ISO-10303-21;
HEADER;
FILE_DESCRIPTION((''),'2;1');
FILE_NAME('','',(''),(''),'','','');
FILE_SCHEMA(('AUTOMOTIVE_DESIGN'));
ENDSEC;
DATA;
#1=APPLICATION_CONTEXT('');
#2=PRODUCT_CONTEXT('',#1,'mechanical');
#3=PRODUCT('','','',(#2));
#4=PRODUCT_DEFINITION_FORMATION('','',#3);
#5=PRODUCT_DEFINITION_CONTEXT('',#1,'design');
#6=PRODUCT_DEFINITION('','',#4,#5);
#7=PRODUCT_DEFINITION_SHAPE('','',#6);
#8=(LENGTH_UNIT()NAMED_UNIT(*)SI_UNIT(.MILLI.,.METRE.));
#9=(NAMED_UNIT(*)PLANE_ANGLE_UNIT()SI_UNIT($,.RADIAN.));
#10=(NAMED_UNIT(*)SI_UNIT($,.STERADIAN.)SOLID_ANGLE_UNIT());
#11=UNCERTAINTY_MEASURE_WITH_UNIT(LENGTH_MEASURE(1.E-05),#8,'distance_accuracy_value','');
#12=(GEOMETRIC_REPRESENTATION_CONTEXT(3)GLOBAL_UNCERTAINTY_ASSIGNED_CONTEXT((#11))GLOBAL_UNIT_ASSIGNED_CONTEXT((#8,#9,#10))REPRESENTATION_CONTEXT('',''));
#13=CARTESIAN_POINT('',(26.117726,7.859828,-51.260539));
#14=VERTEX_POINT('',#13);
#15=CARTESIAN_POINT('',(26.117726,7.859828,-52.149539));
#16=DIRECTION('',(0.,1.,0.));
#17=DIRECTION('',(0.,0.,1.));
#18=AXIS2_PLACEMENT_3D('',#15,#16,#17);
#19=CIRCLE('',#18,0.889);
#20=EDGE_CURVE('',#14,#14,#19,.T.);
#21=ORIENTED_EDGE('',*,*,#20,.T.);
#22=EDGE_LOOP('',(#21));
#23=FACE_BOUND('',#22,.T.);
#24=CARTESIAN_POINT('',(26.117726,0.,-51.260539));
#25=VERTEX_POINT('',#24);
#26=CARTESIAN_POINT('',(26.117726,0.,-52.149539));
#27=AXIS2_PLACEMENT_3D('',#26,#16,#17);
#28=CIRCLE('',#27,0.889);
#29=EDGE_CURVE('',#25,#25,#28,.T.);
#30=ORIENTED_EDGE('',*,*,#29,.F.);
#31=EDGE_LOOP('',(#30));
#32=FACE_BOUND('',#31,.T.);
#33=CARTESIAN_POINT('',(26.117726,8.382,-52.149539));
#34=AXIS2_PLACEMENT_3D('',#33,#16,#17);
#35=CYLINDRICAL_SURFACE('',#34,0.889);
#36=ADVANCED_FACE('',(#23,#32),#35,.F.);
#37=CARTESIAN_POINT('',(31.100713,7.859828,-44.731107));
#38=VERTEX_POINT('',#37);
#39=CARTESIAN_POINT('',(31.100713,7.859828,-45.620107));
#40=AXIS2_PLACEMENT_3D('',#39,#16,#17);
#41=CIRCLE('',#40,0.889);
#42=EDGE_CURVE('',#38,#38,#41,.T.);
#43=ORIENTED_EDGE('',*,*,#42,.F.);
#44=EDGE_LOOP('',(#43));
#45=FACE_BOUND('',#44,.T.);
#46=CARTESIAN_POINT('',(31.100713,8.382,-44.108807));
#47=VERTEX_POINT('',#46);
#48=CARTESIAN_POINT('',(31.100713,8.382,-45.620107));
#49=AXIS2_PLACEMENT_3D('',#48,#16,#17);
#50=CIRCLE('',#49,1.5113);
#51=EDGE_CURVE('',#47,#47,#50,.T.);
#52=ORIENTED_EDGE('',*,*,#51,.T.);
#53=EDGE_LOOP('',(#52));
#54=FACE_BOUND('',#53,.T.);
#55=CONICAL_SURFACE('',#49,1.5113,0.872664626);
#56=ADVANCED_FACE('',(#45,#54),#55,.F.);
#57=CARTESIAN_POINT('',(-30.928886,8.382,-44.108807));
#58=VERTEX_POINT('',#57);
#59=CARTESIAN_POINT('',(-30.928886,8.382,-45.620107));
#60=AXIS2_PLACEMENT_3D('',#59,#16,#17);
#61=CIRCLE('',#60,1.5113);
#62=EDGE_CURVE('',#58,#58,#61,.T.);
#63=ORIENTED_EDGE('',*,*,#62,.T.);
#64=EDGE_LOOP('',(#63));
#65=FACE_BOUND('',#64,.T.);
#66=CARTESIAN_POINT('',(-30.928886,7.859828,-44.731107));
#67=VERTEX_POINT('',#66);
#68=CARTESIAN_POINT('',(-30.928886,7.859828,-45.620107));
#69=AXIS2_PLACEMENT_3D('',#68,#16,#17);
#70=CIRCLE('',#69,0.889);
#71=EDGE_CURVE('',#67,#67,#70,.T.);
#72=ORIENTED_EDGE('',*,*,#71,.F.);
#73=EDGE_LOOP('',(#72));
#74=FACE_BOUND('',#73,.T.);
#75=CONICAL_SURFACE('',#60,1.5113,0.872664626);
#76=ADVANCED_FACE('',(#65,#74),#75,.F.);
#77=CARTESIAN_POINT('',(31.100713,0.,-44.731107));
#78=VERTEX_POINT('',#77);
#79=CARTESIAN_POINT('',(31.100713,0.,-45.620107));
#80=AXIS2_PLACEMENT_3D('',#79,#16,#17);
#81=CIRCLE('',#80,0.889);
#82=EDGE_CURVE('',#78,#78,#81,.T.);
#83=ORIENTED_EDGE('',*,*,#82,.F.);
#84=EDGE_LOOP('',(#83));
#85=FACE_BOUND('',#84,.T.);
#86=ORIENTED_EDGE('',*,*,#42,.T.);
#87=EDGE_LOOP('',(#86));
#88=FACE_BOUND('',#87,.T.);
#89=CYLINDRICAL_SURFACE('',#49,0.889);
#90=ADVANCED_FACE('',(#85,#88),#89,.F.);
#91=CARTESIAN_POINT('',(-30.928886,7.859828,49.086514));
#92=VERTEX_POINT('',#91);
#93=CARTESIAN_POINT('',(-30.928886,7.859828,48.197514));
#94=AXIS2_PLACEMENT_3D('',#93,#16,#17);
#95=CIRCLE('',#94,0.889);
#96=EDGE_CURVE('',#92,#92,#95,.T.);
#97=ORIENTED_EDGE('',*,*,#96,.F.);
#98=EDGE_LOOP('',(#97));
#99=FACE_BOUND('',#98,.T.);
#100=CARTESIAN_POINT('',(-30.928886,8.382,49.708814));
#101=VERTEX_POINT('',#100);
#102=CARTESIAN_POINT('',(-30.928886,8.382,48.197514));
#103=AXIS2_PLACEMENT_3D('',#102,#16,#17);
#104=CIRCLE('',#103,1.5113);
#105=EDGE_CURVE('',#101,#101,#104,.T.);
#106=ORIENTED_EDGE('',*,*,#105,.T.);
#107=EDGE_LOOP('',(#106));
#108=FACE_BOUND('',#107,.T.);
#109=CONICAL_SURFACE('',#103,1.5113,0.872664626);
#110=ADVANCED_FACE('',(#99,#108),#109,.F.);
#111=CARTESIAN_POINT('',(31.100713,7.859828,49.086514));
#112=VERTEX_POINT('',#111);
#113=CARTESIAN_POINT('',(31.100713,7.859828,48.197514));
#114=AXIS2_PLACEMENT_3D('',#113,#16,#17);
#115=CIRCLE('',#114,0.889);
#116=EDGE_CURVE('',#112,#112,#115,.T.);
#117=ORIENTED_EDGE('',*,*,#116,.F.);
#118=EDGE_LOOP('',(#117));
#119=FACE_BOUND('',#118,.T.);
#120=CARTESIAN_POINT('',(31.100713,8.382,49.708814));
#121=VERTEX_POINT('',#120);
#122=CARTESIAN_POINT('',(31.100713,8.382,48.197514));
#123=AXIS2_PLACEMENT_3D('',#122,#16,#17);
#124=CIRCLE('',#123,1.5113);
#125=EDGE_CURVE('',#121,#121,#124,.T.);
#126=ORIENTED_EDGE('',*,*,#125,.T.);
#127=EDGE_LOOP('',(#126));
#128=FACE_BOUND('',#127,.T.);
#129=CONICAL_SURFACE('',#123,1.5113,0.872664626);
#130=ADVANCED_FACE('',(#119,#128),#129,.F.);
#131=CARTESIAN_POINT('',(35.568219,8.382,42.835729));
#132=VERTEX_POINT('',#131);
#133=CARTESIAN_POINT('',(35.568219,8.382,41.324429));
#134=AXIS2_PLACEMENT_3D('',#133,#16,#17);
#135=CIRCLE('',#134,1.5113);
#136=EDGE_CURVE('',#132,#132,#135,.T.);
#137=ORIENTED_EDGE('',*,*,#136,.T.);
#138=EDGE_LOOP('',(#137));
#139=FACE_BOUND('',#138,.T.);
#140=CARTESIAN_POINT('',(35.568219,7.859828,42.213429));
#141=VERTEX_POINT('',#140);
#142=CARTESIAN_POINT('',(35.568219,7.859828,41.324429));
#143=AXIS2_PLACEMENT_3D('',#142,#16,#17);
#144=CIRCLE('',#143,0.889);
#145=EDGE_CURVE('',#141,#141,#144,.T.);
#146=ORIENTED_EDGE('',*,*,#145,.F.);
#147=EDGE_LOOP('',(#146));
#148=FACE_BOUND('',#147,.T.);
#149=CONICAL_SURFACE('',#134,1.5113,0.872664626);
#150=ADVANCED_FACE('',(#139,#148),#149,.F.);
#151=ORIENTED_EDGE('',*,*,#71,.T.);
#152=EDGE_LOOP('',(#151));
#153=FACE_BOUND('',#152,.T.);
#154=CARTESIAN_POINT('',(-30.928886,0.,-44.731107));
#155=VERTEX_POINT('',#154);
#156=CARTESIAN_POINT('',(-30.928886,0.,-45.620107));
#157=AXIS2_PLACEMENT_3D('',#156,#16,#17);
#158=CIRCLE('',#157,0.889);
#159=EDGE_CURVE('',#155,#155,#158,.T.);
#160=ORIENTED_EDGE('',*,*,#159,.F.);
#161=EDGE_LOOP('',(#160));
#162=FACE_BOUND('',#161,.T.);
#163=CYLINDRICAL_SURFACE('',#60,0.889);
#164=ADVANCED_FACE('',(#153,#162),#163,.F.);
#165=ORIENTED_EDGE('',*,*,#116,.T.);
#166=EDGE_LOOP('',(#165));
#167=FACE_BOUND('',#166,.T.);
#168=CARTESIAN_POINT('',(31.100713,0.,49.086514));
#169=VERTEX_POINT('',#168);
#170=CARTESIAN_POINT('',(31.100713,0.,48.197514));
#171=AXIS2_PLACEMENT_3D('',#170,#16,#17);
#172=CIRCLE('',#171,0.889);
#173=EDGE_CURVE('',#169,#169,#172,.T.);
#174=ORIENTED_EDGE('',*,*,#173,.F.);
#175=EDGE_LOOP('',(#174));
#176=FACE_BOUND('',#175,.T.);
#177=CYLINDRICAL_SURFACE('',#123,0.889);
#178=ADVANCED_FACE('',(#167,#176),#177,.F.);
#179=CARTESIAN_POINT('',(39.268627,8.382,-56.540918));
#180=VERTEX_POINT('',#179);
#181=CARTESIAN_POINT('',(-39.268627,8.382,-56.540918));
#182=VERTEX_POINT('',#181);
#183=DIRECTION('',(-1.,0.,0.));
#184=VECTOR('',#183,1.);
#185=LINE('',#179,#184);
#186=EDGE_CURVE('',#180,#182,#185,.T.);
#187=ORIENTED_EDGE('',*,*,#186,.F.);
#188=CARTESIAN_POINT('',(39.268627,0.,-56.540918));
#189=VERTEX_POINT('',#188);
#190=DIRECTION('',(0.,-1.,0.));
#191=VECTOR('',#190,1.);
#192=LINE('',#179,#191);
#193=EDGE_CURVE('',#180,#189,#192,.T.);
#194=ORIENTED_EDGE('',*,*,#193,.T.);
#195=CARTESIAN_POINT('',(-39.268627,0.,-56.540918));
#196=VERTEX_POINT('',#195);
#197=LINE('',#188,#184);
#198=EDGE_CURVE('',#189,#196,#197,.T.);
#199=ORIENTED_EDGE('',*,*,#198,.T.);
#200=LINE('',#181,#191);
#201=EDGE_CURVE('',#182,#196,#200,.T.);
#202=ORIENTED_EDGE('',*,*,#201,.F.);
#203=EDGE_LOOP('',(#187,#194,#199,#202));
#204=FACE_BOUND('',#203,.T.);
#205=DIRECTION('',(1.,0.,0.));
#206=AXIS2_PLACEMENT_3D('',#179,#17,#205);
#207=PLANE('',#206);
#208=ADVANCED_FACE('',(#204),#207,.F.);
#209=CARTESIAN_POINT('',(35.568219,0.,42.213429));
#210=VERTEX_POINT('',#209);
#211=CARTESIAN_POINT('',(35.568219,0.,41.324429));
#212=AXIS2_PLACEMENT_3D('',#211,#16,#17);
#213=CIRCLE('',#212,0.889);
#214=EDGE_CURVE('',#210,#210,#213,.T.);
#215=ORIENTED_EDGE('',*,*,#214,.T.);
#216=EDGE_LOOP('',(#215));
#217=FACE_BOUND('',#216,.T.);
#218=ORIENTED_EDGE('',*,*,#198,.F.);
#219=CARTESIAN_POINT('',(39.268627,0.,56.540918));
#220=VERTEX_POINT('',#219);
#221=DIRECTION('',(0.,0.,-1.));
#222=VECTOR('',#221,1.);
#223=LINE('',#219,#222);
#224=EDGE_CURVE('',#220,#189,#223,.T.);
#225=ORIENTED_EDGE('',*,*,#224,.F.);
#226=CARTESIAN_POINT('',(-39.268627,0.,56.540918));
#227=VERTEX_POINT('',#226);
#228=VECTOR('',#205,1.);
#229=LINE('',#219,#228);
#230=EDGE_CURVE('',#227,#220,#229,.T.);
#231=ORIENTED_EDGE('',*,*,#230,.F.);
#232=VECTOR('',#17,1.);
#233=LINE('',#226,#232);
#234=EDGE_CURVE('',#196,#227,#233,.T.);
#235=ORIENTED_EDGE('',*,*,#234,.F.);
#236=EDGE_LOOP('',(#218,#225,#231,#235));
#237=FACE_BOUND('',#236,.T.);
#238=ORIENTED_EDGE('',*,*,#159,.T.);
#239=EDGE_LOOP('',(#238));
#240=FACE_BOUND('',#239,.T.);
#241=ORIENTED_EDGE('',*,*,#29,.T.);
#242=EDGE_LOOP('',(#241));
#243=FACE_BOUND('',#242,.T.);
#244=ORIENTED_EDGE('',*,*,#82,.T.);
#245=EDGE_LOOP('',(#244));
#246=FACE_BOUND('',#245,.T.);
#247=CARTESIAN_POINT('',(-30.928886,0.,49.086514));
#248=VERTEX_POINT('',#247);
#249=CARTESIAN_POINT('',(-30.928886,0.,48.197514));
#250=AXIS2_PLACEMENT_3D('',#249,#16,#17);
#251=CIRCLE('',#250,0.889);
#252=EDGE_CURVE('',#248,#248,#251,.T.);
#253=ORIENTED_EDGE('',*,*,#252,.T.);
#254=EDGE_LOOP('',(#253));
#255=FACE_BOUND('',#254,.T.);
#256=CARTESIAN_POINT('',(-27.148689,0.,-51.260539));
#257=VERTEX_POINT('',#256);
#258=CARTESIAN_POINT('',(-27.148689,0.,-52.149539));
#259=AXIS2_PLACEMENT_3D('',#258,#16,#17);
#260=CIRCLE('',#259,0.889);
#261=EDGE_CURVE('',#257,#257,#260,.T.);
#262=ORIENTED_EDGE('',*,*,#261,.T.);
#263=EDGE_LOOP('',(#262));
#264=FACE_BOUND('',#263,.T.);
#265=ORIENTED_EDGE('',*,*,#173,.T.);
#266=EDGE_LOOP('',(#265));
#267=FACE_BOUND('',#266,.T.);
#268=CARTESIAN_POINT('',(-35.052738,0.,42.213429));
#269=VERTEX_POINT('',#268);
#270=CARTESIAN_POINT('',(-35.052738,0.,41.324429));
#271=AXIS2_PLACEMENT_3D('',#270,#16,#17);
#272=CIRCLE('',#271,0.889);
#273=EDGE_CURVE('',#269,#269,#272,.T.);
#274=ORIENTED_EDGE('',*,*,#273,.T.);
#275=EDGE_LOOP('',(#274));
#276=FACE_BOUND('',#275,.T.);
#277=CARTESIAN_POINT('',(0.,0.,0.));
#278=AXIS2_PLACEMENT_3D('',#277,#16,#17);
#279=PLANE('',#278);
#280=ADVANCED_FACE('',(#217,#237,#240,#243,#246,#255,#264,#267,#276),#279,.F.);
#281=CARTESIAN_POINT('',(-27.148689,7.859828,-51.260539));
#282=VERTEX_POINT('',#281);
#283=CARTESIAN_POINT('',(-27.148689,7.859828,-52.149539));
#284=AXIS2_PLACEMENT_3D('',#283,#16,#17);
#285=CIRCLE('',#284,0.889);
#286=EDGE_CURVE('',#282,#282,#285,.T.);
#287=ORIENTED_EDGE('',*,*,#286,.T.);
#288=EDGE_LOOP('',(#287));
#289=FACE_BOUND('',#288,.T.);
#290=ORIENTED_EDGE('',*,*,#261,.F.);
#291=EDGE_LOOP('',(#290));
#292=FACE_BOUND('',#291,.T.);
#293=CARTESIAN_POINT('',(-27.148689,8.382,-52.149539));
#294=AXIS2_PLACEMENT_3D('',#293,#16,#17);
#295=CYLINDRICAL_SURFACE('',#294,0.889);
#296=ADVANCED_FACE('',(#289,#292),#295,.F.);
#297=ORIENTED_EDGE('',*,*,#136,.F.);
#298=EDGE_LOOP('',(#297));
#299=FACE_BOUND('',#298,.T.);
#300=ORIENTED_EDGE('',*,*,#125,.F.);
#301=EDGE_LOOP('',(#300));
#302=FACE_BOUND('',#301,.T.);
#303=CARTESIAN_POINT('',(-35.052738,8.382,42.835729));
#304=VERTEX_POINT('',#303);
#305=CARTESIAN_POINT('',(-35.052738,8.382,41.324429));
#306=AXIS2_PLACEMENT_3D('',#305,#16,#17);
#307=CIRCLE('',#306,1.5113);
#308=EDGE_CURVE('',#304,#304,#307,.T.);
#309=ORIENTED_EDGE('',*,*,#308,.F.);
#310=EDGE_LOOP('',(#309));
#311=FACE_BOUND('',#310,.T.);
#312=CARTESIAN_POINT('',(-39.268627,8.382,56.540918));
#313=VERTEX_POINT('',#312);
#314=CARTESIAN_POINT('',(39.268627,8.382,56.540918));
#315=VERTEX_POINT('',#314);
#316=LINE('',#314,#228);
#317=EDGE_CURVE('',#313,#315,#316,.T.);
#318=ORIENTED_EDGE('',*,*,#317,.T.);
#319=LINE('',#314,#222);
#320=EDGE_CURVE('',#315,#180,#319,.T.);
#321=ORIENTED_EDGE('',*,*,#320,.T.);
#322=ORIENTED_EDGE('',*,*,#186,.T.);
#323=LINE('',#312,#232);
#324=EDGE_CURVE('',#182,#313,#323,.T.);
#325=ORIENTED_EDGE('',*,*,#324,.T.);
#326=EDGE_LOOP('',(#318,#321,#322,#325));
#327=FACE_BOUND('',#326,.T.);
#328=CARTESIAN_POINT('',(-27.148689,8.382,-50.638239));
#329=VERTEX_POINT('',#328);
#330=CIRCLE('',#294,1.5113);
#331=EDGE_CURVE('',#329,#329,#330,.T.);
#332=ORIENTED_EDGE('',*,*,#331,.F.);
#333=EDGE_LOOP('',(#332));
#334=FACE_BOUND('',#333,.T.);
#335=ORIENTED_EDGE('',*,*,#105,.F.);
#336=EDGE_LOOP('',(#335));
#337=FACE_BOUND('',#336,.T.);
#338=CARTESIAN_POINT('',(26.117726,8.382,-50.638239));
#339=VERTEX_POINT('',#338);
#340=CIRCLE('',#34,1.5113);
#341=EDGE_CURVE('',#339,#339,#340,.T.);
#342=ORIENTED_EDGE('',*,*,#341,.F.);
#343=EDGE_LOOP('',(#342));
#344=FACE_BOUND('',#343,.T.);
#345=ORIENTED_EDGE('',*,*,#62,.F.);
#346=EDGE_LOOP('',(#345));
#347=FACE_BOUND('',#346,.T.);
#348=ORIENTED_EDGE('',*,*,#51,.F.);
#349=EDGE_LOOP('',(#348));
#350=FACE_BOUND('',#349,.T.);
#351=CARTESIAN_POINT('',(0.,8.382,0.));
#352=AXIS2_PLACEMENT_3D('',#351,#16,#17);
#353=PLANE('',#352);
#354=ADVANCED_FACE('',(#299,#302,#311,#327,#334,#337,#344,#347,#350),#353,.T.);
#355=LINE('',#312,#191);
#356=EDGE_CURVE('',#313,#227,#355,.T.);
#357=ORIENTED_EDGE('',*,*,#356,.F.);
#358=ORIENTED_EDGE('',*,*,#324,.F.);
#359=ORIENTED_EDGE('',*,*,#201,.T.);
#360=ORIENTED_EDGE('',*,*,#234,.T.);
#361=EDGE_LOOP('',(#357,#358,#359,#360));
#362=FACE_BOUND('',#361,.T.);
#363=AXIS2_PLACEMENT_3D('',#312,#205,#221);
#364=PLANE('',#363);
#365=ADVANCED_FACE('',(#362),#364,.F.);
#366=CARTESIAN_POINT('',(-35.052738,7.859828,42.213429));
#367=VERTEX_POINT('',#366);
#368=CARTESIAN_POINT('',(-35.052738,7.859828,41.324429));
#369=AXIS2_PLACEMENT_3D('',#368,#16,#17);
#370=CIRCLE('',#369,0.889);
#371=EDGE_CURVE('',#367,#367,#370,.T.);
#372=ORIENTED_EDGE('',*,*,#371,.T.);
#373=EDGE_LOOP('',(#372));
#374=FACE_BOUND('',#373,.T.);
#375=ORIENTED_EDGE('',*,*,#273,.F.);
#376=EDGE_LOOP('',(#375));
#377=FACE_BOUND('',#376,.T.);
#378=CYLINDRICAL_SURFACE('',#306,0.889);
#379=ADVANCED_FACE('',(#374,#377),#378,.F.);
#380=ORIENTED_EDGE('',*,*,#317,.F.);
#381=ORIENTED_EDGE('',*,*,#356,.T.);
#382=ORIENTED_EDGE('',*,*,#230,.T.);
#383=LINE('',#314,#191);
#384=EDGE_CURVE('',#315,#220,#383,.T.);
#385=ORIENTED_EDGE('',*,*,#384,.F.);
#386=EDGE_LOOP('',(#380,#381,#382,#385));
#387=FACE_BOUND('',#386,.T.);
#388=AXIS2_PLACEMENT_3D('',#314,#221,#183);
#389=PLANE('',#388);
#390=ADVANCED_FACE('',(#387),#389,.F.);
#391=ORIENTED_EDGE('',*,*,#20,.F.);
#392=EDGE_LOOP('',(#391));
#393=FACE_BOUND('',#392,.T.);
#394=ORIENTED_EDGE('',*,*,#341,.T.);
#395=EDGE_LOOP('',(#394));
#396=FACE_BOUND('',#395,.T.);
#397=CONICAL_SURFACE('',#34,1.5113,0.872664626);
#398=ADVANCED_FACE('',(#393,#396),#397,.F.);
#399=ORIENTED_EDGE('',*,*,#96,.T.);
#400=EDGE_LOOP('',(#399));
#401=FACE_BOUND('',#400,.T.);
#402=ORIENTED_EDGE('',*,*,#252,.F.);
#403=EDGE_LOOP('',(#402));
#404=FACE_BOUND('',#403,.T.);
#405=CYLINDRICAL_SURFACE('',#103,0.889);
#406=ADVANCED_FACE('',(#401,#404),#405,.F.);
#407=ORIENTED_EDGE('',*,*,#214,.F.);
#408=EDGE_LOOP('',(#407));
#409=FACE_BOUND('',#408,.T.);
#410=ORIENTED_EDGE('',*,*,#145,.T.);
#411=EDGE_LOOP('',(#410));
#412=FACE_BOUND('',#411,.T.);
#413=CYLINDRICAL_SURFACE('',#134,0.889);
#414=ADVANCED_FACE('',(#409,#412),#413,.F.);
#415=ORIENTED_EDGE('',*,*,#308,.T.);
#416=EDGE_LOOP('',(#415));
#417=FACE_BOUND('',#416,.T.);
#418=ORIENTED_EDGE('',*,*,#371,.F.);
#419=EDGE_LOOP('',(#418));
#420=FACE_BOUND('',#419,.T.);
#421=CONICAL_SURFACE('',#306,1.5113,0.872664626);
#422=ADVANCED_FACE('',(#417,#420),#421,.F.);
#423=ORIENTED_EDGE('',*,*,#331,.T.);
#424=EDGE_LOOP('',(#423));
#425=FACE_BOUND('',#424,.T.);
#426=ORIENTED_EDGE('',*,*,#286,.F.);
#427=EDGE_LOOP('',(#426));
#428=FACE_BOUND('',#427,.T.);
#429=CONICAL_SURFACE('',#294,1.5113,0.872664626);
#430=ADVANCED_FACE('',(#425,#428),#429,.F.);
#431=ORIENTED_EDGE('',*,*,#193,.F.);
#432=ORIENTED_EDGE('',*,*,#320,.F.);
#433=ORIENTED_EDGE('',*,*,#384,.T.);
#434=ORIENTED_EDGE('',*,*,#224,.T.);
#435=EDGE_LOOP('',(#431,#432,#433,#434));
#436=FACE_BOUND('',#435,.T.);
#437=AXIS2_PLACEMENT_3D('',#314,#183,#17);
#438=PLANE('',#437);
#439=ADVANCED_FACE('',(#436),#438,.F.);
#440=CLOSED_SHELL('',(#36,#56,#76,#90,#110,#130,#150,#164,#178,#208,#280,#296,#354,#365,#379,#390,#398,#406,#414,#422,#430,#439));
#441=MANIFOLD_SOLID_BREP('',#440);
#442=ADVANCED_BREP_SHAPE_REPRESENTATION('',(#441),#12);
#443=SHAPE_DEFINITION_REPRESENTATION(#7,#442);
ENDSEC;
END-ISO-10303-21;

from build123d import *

# Parameters (mm, degrees)
SKETCH1_W                                         = 78.5372543
SKETCH1_H                                         = 113.08183608
BOSS_EXTRUDE1_DEPTH                               = 8.382
CSK_FOR_0_FLAT_HEAD_MACHINE_SCREW_100_D           = 1.778
CSK_FOR_0_FLAT_HEAD_MACHINE_SCREW_100_CSINK_D     = 3.0226
CSK_FOR_0_FLAT_HEAD_MACHINE_SCREW_100_CSINK_ANGLE = 100


with BuildPart() as part:
    # Sketch1 → Boss-Extrude1 (new body)
    with BuildSketch(Plane(origin=(0, 0, 0), x_dir=(1, 0, 0), z_dir=(0, 1, 0))):
        Rectangle(SKETCH1_W, SKETCH1_H)
    extrude(amount=BOSS_EXTRUDE1_DEPTH)

    # CSK for #0 Flat Head Machine Screw (100)1 (through all)
    with Locations(Plane(origin=(0, 8.382, 0), x_dir=(1, 0, 0), z_dir=(0, 1, 0))):
        with Locations((-30.928886309, 45.620107306), (31.100713455, 45.620107306), (31.100713455, -48.197514498), (-30.928886309, -48.197514498), (-35.052737817, -41.324428652), (35.568219256, -41.324428652), (26.117726217, 52.14953886), (-27.148689094, 52.14953886)):
            CounterSinkHole(CSK_FOR_0_FLAT_HEAD_MACHINE_SCREW_100_D / 2, CSK_FOR_0_FLAT_HEAD_MACHINE_SCREW_100_CSINK_D / 2, counter_sink_angle=CSK_FOR_0_FLAT_HEAD_MACHINE_SCREW_100_CSINK_ANGLE)


solid = part.part
